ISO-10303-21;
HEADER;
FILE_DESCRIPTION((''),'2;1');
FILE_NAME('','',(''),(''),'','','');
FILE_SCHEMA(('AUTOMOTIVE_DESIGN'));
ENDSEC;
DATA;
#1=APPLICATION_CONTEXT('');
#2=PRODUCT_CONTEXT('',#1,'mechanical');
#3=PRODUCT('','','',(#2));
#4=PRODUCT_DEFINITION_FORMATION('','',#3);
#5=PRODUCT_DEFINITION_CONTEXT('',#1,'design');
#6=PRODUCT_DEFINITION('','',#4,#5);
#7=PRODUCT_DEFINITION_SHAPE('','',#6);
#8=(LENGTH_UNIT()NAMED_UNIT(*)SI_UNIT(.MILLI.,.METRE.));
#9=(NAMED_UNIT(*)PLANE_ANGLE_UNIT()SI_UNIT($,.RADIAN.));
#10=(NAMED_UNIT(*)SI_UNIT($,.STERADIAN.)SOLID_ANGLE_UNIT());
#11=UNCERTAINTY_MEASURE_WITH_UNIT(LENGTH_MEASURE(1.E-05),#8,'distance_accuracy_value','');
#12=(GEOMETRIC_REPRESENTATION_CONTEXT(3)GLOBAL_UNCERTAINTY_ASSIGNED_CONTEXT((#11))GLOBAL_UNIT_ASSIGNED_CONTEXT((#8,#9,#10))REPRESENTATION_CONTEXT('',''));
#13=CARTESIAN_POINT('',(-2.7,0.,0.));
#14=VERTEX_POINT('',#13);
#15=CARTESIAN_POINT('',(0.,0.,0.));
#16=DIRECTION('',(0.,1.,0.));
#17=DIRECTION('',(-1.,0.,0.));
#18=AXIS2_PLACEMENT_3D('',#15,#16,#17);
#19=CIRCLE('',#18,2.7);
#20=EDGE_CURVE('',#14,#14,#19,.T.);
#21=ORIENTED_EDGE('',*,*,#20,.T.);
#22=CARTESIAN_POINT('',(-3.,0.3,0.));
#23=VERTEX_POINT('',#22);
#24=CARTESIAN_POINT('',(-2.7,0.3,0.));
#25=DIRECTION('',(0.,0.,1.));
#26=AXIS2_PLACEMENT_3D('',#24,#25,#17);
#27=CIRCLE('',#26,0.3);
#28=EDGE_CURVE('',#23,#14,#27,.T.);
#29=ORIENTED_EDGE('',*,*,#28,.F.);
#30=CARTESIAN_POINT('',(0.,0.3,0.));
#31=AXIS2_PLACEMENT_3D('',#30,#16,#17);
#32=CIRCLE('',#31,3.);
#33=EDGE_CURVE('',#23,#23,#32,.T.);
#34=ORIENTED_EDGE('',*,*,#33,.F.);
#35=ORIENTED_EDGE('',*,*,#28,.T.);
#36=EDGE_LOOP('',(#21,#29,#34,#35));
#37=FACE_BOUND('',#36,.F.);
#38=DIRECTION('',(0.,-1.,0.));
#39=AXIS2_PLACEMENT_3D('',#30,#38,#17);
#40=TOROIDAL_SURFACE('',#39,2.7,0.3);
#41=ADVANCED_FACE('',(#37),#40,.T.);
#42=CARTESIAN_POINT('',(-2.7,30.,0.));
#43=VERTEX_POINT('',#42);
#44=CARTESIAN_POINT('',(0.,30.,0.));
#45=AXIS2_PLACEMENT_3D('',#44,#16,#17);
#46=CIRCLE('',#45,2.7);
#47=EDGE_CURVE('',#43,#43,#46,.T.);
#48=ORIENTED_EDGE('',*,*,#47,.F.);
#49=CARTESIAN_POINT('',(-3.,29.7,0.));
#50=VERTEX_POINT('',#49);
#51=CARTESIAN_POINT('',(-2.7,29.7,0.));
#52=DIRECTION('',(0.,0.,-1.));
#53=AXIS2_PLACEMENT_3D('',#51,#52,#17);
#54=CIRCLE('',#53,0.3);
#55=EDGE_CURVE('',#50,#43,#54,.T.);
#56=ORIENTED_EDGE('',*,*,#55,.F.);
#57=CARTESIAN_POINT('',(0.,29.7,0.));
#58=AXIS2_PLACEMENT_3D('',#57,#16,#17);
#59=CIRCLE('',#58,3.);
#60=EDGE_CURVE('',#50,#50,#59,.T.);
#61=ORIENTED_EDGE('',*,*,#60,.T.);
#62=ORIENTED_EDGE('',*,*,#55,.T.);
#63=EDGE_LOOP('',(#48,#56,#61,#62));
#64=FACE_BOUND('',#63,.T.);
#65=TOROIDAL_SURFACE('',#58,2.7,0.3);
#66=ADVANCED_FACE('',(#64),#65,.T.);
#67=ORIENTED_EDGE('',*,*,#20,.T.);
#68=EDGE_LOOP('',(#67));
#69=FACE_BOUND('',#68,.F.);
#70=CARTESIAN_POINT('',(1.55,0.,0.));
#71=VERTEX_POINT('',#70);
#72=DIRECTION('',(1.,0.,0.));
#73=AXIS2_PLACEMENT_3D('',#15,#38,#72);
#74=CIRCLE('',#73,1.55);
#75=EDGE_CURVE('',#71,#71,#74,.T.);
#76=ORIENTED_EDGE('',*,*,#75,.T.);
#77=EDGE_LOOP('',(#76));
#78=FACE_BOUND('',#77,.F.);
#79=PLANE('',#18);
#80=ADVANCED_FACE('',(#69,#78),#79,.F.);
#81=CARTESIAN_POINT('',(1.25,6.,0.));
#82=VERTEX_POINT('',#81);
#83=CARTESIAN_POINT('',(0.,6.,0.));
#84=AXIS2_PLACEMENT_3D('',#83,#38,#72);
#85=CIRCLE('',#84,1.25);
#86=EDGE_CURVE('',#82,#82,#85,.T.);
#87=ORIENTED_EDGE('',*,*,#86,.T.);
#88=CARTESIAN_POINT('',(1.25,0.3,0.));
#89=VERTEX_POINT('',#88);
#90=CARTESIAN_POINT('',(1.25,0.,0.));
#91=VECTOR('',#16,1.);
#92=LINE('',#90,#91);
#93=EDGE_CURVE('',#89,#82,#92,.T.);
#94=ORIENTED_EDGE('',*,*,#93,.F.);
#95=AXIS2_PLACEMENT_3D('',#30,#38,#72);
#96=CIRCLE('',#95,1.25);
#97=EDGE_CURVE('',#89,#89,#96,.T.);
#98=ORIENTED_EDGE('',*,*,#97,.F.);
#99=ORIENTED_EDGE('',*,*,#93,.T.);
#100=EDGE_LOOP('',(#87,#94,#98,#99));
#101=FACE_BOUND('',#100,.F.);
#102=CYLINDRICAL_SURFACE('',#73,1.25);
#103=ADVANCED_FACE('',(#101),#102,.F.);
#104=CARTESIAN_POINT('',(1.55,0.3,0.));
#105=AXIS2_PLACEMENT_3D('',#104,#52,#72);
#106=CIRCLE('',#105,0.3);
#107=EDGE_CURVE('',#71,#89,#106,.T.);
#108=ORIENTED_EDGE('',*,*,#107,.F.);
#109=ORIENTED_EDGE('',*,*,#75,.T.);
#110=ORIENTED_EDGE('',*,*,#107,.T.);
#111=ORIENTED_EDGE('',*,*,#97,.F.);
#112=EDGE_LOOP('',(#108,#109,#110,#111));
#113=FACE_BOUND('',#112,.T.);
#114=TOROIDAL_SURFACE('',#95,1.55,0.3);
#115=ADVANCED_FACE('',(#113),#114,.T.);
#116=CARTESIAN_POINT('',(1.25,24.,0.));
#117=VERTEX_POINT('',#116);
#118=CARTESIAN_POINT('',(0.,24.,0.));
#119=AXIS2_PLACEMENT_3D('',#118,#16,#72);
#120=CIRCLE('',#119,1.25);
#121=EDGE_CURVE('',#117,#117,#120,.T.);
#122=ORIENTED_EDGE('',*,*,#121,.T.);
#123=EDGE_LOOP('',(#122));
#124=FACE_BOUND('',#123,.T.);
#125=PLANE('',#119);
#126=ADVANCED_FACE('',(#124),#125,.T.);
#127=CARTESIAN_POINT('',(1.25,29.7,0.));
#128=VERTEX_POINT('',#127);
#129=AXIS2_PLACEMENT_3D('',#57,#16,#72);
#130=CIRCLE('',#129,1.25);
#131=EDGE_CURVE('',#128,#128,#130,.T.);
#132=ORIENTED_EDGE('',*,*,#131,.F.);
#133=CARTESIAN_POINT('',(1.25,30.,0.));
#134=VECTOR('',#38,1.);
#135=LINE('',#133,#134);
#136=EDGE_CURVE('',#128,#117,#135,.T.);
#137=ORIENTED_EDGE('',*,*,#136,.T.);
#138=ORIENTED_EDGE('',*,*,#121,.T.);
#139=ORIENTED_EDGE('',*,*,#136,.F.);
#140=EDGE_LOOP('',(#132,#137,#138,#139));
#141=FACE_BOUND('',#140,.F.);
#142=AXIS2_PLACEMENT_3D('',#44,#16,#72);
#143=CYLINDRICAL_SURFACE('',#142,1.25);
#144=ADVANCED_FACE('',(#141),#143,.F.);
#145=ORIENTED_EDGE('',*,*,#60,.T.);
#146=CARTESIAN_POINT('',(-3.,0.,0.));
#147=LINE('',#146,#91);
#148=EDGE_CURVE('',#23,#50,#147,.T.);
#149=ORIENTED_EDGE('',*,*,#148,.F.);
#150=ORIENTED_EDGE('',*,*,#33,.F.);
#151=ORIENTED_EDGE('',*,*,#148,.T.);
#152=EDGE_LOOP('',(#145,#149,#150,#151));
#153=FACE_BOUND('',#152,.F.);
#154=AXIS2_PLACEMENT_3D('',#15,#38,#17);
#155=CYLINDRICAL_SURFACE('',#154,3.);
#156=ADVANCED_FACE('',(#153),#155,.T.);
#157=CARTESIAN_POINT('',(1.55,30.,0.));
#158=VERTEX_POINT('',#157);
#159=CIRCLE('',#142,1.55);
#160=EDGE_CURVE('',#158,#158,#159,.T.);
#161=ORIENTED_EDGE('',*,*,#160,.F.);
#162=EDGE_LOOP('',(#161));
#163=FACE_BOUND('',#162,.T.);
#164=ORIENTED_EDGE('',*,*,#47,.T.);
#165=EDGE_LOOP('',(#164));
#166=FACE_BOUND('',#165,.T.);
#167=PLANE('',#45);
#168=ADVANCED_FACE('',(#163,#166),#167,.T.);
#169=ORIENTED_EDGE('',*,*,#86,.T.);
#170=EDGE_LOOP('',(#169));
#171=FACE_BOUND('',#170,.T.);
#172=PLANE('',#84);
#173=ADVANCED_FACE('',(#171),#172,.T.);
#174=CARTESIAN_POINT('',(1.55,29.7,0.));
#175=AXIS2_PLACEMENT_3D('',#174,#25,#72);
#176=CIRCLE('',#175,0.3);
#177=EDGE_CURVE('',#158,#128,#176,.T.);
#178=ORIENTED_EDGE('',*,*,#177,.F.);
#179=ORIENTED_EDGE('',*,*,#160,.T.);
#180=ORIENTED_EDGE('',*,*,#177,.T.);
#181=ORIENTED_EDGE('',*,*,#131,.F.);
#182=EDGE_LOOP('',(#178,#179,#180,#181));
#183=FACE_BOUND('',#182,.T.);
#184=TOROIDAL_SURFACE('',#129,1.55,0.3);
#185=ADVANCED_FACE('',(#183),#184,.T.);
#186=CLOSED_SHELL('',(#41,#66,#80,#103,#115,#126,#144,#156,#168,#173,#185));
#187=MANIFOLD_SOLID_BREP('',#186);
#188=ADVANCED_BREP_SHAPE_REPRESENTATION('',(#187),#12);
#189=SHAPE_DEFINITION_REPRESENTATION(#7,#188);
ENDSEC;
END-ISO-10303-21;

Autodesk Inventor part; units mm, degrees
ref_plane "YZ Plane" through (0, 0, 0) normal (1, 0, 0) x (0, 1, 0)
ref_plane "XZ Plane" through (0, 0, 0) normal (0, 1, 0) x (-1, 0, 0)
ref_plane "XY Plane" through (0, 0, 0) normal (0, 0, 1) x (1, 0, 0)
sketch "スケッチ1" plane through (0, 0, 0) normal (0, 1, 0) x (-1, 0, 0)
  circle A0 centre (0, 0) radius 3
  dimension "d0" = 6
extrude "押し出し1" add sketch "スケッチ1" along normal blind 30
sketch "スケッチ2" plane through (0, 30, 0) normal (0, 1, 0) x (1, 0, 0)
  circle A0 centre (0, 0) radius 1.25
  dimension "d3" = 2.5
extrude "押し出し2" cut sketch "スケッチ2" against normal blind 6
sketch "スケッチ3" plane through (0, 0, 0) normal (0, -1, 0) x (1, 0, 0)
  circle A0 centre (0, 0) radius 1.25 projected
  circle A1 centre (0, 0) radius 1.25
  dimension "d6" = 2.5
extrude "押し出し3" cut sketch "スケッチ3" against normal blind 6
thread "ねじ1" size "M3x0.5" class "6H" standard "ISO Metric profile" full length
fillet "フィレット1" radius 0.3 4 edges at (3, 30, 0) (-1.25, 30, 0) (-1.25, 0, 0) (3, 0, 0)
properties part number "ARL-330KE"
